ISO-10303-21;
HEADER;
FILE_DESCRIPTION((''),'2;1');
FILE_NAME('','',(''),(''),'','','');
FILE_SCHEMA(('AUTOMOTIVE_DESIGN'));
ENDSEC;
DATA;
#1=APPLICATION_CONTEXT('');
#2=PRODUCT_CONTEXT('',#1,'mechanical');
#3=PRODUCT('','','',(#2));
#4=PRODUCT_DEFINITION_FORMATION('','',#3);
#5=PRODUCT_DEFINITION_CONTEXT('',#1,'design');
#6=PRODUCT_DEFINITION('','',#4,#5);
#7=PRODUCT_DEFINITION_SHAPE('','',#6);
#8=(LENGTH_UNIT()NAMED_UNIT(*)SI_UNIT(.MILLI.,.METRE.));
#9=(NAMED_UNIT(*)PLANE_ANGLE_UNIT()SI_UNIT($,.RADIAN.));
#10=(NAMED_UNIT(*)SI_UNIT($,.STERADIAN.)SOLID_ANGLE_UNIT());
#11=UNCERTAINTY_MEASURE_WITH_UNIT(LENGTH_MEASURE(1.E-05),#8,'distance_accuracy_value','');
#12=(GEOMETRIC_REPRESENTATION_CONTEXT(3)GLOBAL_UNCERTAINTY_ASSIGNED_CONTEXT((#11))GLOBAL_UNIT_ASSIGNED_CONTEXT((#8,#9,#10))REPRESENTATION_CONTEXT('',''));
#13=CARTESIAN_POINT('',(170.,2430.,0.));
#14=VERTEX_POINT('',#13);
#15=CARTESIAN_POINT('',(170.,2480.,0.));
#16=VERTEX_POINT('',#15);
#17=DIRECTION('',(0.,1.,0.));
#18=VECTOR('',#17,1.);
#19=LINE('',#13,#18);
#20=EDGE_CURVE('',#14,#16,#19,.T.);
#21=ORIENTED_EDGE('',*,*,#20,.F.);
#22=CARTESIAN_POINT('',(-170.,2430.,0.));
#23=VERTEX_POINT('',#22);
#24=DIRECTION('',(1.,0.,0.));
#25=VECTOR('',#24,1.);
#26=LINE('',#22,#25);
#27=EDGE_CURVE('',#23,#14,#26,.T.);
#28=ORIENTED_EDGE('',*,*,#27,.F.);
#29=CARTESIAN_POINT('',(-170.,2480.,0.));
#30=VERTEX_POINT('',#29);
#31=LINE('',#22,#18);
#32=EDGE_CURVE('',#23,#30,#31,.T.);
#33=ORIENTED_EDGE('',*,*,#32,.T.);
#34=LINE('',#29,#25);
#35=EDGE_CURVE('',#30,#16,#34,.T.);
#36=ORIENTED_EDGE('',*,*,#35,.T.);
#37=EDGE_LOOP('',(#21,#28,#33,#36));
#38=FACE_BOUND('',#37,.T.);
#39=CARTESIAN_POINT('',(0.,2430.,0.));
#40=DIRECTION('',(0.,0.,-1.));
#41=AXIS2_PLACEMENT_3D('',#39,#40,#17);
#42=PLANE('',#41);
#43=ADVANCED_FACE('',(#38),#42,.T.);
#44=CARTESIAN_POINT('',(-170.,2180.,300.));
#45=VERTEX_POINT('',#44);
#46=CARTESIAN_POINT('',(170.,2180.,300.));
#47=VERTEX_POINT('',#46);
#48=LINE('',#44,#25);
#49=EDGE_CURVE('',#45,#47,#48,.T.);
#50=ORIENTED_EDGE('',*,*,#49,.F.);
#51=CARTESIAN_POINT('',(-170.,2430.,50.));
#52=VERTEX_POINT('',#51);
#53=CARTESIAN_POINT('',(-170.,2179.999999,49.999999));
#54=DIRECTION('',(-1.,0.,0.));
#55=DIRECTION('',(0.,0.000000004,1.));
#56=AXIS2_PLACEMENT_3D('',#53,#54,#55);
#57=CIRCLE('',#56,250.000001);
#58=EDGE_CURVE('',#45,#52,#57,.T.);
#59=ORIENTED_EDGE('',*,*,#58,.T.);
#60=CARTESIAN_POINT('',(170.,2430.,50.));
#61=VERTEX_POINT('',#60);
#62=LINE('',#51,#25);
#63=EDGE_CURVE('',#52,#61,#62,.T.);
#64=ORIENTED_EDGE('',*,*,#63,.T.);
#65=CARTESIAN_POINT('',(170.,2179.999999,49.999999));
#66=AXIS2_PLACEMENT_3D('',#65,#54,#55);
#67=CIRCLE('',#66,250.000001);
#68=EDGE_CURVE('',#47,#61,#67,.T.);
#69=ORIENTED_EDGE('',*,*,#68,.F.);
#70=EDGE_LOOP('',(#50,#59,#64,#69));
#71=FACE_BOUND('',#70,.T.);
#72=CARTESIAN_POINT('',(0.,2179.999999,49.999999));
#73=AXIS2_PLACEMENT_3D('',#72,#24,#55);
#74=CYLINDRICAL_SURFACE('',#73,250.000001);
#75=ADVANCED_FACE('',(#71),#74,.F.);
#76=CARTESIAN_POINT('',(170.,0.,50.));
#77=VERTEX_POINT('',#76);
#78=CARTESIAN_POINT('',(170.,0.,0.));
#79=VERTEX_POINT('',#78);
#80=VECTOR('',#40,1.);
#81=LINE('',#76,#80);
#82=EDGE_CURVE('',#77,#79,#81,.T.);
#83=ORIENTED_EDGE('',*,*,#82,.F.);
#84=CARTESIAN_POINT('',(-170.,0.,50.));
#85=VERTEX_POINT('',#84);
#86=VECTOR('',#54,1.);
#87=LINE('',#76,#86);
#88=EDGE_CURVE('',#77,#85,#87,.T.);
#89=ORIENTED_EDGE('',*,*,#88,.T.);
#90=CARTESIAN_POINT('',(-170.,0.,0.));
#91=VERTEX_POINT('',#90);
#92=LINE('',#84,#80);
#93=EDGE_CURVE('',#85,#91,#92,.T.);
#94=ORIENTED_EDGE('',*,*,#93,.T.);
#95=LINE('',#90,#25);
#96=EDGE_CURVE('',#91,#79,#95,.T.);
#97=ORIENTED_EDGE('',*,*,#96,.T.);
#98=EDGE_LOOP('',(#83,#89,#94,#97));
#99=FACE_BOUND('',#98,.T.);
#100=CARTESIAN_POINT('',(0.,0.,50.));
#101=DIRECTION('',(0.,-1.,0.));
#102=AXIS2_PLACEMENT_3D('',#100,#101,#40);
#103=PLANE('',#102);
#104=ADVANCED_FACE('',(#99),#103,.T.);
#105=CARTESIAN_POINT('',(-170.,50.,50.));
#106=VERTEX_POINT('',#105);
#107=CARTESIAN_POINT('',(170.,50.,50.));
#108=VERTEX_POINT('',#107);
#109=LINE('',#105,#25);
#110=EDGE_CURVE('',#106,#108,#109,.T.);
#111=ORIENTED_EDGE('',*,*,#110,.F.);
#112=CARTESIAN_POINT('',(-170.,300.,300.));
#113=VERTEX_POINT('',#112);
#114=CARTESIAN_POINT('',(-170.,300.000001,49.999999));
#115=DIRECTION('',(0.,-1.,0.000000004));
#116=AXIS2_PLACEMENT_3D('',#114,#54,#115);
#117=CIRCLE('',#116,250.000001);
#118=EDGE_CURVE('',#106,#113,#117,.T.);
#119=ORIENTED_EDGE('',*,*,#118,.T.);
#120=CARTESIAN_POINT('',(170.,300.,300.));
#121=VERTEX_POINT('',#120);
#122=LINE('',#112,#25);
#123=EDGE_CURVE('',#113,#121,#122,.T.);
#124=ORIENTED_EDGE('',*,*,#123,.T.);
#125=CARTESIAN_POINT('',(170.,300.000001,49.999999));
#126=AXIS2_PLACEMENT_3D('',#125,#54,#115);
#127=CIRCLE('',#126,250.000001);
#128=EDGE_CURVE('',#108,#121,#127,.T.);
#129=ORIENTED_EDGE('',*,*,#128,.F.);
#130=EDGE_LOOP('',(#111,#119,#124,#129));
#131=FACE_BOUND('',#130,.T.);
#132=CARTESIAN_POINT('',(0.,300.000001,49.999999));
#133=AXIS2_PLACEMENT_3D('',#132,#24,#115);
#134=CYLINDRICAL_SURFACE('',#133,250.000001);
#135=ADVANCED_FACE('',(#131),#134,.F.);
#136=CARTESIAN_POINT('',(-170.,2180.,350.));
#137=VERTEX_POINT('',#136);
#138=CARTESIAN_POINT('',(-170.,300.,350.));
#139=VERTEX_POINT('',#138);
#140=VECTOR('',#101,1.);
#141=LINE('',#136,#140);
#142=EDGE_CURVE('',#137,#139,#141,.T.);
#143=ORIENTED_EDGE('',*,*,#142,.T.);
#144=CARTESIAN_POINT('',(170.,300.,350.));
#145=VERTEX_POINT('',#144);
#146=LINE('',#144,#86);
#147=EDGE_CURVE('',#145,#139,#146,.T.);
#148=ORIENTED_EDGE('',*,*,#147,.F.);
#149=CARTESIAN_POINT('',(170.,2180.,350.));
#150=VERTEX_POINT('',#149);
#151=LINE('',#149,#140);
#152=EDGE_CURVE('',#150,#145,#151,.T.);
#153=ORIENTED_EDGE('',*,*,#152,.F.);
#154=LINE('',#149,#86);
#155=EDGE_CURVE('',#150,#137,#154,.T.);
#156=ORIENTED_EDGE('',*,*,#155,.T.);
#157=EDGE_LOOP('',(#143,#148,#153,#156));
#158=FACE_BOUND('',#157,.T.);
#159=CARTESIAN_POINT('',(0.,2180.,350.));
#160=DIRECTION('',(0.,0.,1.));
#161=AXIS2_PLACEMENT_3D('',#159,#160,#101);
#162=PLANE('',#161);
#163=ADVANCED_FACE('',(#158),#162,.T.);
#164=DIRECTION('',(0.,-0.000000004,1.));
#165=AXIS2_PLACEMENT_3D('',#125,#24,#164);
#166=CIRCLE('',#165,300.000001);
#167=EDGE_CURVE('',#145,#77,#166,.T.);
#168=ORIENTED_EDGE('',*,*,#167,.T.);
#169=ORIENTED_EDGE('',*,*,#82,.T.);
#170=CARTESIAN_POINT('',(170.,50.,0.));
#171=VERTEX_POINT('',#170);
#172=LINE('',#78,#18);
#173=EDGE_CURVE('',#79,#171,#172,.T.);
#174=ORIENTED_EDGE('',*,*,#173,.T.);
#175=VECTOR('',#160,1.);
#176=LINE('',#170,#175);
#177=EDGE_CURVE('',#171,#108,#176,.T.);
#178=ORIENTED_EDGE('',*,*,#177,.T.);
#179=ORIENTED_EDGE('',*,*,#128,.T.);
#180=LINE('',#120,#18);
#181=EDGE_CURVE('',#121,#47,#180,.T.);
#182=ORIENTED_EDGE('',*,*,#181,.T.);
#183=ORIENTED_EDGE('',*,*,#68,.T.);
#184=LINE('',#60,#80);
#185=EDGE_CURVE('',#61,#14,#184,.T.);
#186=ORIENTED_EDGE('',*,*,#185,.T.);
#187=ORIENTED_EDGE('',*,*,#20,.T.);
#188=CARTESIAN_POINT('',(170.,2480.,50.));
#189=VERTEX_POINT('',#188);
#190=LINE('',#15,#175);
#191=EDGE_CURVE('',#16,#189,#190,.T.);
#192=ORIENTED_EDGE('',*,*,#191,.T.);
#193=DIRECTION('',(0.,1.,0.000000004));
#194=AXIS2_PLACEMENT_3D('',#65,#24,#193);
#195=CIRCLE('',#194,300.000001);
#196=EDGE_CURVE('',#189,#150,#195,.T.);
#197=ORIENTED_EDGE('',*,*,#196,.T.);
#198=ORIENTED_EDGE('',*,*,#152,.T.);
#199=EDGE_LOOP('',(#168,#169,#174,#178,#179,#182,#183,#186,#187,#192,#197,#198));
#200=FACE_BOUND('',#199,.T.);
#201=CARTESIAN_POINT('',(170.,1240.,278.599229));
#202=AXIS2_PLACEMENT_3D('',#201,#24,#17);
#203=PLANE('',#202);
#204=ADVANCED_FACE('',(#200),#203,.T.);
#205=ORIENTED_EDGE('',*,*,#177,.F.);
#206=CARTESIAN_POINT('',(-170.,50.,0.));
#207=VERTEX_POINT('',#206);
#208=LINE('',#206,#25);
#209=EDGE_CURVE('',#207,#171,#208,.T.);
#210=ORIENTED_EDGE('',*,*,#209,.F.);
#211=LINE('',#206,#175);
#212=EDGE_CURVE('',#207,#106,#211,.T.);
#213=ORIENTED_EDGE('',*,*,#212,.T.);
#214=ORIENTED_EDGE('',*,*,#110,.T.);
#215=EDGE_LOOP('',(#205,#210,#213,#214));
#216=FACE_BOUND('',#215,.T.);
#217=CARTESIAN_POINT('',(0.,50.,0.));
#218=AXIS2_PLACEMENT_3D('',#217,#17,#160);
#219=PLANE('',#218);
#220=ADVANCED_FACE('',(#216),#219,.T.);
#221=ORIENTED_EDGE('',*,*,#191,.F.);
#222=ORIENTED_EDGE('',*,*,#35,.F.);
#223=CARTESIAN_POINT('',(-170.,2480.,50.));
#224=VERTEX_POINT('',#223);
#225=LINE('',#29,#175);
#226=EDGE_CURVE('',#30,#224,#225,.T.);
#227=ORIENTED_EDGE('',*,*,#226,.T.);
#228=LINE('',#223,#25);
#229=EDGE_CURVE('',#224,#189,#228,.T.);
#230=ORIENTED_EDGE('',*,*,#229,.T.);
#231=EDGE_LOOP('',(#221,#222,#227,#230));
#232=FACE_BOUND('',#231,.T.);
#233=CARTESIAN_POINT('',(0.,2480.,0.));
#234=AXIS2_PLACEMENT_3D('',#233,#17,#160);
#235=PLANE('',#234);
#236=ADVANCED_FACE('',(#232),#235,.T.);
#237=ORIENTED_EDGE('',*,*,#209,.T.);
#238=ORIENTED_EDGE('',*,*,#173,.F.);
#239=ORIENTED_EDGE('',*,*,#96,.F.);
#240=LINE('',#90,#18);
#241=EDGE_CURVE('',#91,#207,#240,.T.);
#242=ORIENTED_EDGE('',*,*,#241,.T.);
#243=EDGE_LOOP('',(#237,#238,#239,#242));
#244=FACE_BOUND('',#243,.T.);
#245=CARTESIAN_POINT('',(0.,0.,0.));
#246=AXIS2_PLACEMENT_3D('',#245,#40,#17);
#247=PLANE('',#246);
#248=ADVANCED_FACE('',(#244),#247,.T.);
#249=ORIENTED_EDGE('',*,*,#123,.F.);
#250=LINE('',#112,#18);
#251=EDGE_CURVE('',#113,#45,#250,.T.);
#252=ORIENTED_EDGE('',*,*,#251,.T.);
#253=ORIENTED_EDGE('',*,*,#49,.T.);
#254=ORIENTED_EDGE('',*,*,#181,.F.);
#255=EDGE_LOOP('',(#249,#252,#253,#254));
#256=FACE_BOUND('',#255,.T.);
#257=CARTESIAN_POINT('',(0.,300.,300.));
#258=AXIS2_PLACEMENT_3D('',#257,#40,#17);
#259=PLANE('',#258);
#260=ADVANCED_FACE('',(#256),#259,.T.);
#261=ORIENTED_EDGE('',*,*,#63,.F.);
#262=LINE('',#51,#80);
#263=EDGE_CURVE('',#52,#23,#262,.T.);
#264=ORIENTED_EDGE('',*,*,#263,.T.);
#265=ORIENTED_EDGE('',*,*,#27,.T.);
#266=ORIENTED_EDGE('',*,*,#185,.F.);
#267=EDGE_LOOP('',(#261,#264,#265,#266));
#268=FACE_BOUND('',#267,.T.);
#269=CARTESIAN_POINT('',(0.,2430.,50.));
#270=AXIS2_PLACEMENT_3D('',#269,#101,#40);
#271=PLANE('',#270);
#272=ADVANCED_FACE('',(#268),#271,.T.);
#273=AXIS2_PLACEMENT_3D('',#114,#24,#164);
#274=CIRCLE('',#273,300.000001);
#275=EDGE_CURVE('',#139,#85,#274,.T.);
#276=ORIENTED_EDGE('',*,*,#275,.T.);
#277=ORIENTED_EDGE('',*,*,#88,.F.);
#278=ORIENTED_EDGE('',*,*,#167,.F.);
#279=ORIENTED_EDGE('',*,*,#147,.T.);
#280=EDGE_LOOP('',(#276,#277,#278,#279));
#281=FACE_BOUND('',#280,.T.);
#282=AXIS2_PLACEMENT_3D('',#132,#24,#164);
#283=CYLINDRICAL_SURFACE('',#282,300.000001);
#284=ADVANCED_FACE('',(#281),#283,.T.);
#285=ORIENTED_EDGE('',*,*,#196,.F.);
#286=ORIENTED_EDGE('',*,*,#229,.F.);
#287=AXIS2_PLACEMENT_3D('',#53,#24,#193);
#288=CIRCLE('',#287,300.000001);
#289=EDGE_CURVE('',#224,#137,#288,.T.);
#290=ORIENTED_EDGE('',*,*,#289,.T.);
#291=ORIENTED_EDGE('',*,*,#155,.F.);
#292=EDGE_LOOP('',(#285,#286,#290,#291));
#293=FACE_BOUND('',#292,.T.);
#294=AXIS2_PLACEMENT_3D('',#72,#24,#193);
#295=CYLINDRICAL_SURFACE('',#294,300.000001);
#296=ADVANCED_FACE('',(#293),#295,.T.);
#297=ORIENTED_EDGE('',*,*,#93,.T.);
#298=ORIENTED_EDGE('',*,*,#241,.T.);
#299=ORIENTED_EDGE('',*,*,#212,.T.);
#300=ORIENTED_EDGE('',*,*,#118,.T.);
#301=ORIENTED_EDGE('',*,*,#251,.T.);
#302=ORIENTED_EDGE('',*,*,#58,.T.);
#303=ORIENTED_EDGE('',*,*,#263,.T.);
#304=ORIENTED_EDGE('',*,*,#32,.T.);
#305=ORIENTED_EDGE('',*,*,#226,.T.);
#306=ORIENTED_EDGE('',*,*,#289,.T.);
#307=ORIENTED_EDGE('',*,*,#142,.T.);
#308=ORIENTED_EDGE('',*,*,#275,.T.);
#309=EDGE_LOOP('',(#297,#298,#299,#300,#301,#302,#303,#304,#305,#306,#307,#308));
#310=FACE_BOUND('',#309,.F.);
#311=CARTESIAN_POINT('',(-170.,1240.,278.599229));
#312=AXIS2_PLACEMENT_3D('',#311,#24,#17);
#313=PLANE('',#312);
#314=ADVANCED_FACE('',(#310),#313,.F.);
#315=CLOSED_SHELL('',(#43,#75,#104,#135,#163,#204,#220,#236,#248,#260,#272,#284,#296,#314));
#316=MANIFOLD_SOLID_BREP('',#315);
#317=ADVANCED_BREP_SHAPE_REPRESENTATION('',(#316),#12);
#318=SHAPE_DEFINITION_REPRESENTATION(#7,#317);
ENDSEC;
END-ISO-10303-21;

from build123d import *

# Parameters (mm, degrees)
F1_DEPTH = 170


with BuildPart() as f1:
    # F0 (on Right) → F1 (new body, symmetric)
    with BuildSketch(Plane.YZ):
        with BuildLine():
            Line((0, 50), (0, 0))
            Line((0, 0), (50, 0))
            Line((50, 0), (50, 50))
            ThreePointArc((50, 50), (123.223305, 226.776695), (300, 300))
            Line((300, 300), (2180, 300))
            ThreePointArc((2180, 300), (2356.776695, 226.776695), (2430, 50))
            Line((2430, 50), (2430, 0))
            Line((2430, 0), (2480, 0))
            Line((2480, 0), (2480, 50))
            ThreePointArc((2480, 50), (2392.132034, 262.132034), (2180, 350))
            Line((2180, 350), (300, 350))
            ThreePointArc((300, 350), (87.867966, 262.132034), (0, 50))
        make_face()
    extrude(amount=F1_DEPTH, both=True)


solid = f1.part
